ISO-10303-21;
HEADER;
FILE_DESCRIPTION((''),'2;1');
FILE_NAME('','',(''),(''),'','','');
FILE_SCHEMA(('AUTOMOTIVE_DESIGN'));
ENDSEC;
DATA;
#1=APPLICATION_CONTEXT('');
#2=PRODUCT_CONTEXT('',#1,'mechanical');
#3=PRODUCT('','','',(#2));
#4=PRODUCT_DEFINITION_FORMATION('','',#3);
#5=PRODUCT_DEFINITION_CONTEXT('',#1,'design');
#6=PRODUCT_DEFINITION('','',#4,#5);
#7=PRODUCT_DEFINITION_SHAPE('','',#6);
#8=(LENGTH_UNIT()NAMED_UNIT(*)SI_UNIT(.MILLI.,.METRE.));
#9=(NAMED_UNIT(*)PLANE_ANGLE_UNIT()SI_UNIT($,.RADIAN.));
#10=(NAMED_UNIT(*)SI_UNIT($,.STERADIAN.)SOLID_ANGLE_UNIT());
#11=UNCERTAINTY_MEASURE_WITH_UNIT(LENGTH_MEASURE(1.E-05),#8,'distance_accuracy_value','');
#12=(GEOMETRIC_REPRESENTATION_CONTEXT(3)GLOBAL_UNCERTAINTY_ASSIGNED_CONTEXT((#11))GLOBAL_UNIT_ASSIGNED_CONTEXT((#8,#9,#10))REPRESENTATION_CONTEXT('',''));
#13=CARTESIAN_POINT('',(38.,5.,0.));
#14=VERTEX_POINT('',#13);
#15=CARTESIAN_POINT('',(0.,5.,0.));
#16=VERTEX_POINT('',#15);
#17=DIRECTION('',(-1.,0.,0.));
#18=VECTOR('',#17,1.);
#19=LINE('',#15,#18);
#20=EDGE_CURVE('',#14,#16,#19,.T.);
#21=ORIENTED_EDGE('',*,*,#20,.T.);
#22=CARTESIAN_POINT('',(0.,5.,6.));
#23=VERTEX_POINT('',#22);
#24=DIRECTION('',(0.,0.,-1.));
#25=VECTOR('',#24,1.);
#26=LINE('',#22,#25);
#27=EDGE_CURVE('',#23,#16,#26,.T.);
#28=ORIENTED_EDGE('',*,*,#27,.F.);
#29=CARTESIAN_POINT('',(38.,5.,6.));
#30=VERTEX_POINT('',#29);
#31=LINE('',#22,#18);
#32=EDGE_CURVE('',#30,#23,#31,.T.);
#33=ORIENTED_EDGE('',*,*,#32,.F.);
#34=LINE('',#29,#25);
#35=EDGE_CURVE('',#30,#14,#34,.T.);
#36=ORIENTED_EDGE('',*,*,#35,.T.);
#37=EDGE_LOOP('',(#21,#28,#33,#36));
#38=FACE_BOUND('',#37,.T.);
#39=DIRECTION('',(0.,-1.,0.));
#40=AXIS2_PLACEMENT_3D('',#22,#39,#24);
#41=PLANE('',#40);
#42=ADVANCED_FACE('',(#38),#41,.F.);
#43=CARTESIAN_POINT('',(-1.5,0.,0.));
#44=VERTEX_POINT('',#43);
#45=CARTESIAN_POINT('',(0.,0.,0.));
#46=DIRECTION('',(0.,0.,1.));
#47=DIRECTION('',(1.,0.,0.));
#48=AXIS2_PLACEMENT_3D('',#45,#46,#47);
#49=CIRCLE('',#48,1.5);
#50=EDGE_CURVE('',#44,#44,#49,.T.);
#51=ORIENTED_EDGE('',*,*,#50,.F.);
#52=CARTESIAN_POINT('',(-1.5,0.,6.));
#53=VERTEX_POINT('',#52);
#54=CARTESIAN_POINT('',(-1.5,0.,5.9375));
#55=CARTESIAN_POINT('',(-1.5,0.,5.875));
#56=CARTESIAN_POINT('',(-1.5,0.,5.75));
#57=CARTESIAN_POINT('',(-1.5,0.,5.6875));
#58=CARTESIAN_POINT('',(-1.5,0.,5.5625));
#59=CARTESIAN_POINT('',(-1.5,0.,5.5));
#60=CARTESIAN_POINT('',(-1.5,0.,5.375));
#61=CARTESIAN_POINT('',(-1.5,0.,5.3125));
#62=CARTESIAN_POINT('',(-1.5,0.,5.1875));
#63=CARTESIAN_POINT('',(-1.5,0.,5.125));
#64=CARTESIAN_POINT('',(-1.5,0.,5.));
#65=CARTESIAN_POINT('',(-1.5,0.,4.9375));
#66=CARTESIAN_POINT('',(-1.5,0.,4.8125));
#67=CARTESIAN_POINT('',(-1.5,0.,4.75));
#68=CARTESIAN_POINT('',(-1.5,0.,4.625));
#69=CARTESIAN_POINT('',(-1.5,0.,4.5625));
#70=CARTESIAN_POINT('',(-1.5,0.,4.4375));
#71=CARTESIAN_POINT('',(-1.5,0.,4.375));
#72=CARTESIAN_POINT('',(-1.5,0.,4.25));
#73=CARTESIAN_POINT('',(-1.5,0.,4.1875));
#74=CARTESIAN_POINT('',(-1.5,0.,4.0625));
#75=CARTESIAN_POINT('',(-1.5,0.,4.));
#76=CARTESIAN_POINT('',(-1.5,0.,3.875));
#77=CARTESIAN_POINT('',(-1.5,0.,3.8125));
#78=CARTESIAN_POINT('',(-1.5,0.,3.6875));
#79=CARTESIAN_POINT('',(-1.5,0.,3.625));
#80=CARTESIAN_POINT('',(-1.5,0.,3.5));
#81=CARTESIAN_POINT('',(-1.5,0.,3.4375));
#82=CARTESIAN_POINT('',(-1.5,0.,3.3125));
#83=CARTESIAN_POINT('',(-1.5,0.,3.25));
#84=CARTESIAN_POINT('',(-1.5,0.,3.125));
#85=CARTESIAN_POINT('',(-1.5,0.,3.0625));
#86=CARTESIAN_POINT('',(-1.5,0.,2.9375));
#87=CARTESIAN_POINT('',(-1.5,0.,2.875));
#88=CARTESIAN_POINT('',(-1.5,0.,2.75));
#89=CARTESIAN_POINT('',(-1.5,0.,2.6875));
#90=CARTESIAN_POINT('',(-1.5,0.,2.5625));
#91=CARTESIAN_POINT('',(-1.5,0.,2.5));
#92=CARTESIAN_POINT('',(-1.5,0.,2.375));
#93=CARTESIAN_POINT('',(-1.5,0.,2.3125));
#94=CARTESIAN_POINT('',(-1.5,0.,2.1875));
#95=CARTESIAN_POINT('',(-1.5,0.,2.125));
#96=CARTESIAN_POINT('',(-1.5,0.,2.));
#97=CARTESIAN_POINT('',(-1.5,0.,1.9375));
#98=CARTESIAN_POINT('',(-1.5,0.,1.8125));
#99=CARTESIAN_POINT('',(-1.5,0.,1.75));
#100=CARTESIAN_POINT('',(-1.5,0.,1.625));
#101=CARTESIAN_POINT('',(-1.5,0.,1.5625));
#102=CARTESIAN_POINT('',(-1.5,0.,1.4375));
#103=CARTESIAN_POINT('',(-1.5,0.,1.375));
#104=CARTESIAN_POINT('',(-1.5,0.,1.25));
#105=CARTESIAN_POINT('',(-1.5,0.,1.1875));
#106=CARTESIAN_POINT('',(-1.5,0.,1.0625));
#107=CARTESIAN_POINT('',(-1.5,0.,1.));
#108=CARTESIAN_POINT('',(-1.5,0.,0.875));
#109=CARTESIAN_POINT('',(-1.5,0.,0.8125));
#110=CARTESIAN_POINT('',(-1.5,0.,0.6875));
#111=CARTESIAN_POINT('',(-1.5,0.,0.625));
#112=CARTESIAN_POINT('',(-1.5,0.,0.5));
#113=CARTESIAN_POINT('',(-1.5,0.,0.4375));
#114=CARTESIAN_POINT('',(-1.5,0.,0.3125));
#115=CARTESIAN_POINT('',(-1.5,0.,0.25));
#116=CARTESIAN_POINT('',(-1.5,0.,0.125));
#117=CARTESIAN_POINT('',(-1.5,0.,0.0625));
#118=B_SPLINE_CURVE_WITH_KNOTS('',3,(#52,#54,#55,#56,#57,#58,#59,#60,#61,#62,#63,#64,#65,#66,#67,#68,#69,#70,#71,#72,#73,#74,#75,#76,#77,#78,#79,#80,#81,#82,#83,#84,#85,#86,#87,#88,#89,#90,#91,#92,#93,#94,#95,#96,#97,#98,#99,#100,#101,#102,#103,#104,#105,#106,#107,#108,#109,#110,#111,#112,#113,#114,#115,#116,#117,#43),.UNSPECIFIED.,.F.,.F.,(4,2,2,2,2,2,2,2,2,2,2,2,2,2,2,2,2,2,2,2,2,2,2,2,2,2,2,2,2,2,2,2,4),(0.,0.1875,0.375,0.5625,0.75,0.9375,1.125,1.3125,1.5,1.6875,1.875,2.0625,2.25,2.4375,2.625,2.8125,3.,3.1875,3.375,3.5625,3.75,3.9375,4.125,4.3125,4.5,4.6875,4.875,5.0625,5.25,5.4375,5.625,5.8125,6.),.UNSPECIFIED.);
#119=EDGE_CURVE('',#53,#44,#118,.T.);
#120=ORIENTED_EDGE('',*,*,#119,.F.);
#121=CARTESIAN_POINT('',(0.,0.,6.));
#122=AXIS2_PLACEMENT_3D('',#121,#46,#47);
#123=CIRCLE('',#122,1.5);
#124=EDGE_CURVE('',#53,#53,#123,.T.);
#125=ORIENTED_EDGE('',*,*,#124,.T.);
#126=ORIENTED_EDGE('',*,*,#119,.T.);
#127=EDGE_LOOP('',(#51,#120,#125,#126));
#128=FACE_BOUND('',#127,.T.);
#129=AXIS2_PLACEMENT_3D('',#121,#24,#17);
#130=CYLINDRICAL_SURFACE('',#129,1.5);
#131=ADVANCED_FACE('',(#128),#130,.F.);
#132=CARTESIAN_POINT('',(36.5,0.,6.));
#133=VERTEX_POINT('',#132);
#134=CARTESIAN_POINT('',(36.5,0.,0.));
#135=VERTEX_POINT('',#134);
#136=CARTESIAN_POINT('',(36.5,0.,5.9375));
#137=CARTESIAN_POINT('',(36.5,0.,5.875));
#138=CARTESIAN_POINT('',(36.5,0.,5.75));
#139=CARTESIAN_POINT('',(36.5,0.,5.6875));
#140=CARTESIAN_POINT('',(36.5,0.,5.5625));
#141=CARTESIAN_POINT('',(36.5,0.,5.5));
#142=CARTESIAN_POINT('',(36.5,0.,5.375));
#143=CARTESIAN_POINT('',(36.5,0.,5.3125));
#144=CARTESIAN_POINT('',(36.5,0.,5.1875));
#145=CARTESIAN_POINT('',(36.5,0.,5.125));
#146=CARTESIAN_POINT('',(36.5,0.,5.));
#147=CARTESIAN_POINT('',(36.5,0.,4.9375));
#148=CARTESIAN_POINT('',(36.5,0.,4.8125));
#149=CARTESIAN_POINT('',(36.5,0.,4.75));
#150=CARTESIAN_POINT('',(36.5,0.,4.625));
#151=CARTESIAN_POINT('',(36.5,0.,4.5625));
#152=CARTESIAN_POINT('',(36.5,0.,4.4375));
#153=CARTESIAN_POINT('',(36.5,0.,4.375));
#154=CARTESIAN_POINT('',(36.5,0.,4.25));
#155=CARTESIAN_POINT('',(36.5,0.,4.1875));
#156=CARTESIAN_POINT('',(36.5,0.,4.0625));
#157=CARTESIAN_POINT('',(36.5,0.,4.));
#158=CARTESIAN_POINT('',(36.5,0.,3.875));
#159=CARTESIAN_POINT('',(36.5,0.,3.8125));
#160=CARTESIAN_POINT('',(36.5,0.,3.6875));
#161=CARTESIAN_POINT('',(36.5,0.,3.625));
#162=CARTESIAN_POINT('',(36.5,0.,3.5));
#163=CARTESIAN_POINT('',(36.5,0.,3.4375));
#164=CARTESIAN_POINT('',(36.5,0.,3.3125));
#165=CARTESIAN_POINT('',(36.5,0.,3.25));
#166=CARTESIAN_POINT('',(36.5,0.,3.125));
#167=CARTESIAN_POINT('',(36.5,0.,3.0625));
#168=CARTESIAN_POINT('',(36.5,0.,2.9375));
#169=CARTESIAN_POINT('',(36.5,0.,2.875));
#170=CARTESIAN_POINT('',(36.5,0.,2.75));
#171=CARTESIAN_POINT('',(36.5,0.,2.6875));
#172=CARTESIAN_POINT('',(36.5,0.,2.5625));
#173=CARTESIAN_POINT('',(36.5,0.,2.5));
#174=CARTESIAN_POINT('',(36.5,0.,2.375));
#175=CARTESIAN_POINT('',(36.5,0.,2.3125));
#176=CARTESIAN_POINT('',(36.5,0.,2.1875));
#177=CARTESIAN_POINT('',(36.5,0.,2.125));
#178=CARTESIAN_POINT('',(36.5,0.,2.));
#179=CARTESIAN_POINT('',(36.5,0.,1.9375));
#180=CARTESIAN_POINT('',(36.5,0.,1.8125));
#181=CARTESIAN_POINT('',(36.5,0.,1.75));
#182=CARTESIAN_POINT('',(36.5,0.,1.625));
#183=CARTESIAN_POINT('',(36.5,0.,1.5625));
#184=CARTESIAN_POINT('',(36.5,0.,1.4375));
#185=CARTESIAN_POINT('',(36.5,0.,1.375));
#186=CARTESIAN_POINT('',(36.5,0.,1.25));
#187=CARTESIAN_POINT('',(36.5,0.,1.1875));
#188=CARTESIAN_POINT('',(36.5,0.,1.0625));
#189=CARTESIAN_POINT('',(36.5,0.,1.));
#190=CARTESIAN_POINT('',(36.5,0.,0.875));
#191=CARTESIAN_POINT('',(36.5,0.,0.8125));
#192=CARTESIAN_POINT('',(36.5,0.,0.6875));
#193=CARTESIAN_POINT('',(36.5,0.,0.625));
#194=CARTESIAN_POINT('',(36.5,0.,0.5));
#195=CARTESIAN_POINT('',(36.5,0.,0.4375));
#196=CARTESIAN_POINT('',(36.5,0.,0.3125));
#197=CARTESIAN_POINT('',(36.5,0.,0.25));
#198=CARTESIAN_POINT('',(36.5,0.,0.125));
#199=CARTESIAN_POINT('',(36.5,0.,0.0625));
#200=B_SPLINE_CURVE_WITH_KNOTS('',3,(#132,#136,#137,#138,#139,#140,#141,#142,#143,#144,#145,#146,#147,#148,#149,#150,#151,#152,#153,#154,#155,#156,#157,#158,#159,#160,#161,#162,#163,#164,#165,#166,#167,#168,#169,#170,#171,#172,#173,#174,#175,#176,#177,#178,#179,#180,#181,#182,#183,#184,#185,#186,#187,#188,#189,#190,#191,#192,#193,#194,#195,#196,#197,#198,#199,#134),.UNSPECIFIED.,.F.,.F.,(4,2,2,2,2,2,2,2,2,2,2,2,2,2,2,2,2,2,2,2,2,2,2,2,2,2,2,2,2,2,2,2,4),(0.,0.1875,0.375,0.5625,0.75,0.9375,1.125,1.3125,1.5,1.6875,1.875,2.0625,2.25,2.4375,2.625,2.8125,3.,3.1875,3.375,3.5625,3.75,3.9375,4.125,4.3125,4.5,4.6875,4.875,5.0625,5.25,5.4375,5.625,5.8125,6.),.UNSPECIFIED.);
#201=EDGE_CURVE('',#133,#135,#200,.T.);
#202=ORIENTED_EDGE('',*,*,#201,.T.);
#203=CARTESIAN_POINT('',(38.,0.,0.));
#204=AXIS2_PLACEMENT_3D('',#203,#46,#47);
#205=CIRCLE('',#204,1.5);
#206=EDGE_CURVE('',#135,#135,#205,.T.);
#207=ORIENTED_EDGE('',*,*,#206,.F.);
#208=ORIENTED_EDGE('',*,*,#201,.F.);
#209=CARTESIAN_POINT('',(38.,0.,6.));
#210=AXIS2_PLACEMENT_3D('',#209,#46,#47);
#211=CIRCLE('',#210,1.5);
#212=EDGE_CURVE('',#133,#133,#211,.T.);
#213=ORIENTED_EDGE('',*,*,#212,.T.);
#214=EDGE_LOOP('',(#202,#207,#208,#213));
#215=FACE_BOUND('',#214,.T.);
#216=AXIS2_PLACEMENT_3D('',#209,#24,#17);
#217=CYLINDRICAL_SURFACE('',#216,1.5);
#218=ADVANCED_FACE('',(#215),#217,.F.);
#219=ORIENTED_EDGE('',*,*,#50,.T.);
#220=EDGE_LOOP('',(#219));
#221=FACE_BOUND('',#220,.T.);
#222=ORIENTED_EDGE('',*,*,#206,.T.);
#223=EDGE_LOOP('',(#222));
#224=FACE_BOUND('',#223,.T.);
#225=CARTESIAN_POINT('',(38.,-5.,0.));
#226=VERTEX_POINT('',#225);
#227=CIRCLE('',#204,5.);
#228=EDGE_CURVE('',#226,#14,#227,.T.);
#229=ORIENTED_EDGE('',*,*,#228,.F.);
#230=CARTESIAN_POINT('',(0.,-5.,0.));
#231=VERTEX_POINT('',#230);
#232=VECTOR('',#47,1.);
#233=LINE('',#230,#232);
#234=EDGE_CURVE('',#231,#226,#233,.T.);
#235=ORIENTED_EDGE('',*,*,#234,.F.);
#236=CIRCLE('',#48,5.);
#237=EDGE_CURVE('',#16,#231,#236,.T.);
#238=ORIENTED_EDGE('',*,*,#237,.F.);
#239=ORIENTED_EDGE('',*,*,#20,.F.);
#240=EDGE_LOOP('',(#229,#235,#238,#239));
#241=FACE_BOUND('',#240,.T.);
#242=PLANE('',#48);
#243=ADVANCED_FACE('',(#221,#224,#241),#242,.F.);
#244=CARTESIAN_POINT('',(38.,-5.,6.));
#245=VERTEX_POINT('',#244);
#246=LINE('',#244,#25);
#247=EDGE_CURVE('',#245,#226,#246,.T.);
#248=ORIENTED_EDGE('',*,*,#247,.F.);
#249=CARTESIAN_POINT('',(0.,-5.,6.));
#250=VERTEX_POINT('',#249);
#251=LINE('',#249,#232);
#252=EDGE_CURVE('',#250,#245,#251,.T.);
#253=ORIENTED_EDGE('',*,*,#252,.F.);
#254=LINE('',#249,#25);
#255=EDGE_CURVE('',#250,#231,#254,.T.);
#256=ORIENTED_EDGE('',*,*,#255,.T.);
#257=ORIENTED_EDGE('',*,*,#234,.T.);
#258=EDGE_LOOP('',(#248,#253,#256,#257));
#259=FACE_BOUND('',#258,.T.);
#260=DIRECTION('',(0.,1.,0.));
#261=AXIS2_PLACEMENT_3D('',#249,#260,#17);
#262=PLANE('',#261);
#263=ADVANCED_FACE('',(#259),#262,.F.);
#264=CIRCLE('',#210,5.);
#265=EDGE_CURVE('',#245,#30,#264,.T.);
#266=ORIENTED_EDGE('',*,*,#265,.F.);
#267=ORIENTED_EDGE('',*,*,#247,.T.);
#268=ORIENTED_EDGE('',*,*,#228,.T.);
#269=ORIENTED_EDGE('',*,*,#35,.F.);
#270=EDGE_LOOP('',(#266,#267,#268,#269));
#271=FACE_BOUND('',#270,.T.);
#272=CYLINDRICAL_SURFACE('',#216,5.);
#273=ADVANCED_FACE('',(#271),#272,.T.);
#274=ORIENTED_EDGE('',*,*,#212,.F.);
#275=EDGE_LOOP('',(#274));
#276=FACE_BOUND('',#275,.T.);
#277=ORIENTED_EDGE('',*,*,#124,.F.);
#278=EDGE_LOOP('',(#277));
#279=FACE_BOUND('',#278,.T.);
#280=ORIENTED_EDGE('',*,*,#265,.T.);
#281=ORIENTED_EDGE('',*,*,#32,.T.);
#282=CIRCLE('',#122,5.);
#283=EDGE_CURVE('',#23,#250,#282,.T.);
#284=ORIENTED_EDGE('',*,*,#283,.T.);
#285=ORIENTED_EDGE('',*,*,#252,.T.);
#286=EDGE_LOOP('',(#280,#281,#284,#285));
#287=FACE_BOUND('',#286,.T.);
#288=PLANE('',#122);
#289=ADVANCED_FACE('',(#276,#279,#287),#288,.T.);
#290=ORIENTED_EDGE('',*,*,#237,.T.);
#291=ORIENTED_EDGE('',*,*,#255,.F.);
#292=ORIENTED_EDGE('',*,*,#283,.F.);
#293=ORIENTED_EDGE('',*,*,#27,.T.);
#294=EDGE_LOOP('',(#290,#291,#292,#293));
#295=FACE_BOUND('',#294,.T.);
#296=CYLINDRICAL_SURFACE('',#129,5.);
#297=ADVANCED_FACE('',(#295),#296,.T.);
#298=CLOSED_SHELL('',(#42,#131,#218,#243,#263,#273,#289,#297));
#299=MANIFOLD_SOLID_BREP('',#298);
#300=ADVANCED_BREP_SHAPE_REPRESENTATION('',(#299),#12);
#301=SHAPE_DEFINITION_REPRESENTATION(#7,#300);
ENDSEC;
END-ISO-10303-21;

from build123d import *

# Parameters (mm, degrees)
SKETCH1_R        = 1.5
EXTRUSION1_DEPTH = 6


with BuildPart() as part:
    # Sketch1 → Extrusion1 (new body)
    with BuildSketch(Plane.XY):
        with BuildLine():
            Line((38, 5), (0, 5))
            ThreePointArc((0, 5), (-5, 0), (0, -5))
            Line((0, -5), (38, -5))
            ThreePointArc((38, -5), (43, 0), (38, 5))
        make_face()
        with Locations(Location((38, 0, 0), (0, 0, 180))):
            Circle(SKETCH1_R, mode=Mode.SUBTRACT)
        with Locations(Location((0, 0, 0), (0, 0, 180))):
            Circle(SKETCH1_R, mode=Mode.SUBTRACT)
    extrude(amount=EXTRUSION1_DEPTH)


solid = part.part
